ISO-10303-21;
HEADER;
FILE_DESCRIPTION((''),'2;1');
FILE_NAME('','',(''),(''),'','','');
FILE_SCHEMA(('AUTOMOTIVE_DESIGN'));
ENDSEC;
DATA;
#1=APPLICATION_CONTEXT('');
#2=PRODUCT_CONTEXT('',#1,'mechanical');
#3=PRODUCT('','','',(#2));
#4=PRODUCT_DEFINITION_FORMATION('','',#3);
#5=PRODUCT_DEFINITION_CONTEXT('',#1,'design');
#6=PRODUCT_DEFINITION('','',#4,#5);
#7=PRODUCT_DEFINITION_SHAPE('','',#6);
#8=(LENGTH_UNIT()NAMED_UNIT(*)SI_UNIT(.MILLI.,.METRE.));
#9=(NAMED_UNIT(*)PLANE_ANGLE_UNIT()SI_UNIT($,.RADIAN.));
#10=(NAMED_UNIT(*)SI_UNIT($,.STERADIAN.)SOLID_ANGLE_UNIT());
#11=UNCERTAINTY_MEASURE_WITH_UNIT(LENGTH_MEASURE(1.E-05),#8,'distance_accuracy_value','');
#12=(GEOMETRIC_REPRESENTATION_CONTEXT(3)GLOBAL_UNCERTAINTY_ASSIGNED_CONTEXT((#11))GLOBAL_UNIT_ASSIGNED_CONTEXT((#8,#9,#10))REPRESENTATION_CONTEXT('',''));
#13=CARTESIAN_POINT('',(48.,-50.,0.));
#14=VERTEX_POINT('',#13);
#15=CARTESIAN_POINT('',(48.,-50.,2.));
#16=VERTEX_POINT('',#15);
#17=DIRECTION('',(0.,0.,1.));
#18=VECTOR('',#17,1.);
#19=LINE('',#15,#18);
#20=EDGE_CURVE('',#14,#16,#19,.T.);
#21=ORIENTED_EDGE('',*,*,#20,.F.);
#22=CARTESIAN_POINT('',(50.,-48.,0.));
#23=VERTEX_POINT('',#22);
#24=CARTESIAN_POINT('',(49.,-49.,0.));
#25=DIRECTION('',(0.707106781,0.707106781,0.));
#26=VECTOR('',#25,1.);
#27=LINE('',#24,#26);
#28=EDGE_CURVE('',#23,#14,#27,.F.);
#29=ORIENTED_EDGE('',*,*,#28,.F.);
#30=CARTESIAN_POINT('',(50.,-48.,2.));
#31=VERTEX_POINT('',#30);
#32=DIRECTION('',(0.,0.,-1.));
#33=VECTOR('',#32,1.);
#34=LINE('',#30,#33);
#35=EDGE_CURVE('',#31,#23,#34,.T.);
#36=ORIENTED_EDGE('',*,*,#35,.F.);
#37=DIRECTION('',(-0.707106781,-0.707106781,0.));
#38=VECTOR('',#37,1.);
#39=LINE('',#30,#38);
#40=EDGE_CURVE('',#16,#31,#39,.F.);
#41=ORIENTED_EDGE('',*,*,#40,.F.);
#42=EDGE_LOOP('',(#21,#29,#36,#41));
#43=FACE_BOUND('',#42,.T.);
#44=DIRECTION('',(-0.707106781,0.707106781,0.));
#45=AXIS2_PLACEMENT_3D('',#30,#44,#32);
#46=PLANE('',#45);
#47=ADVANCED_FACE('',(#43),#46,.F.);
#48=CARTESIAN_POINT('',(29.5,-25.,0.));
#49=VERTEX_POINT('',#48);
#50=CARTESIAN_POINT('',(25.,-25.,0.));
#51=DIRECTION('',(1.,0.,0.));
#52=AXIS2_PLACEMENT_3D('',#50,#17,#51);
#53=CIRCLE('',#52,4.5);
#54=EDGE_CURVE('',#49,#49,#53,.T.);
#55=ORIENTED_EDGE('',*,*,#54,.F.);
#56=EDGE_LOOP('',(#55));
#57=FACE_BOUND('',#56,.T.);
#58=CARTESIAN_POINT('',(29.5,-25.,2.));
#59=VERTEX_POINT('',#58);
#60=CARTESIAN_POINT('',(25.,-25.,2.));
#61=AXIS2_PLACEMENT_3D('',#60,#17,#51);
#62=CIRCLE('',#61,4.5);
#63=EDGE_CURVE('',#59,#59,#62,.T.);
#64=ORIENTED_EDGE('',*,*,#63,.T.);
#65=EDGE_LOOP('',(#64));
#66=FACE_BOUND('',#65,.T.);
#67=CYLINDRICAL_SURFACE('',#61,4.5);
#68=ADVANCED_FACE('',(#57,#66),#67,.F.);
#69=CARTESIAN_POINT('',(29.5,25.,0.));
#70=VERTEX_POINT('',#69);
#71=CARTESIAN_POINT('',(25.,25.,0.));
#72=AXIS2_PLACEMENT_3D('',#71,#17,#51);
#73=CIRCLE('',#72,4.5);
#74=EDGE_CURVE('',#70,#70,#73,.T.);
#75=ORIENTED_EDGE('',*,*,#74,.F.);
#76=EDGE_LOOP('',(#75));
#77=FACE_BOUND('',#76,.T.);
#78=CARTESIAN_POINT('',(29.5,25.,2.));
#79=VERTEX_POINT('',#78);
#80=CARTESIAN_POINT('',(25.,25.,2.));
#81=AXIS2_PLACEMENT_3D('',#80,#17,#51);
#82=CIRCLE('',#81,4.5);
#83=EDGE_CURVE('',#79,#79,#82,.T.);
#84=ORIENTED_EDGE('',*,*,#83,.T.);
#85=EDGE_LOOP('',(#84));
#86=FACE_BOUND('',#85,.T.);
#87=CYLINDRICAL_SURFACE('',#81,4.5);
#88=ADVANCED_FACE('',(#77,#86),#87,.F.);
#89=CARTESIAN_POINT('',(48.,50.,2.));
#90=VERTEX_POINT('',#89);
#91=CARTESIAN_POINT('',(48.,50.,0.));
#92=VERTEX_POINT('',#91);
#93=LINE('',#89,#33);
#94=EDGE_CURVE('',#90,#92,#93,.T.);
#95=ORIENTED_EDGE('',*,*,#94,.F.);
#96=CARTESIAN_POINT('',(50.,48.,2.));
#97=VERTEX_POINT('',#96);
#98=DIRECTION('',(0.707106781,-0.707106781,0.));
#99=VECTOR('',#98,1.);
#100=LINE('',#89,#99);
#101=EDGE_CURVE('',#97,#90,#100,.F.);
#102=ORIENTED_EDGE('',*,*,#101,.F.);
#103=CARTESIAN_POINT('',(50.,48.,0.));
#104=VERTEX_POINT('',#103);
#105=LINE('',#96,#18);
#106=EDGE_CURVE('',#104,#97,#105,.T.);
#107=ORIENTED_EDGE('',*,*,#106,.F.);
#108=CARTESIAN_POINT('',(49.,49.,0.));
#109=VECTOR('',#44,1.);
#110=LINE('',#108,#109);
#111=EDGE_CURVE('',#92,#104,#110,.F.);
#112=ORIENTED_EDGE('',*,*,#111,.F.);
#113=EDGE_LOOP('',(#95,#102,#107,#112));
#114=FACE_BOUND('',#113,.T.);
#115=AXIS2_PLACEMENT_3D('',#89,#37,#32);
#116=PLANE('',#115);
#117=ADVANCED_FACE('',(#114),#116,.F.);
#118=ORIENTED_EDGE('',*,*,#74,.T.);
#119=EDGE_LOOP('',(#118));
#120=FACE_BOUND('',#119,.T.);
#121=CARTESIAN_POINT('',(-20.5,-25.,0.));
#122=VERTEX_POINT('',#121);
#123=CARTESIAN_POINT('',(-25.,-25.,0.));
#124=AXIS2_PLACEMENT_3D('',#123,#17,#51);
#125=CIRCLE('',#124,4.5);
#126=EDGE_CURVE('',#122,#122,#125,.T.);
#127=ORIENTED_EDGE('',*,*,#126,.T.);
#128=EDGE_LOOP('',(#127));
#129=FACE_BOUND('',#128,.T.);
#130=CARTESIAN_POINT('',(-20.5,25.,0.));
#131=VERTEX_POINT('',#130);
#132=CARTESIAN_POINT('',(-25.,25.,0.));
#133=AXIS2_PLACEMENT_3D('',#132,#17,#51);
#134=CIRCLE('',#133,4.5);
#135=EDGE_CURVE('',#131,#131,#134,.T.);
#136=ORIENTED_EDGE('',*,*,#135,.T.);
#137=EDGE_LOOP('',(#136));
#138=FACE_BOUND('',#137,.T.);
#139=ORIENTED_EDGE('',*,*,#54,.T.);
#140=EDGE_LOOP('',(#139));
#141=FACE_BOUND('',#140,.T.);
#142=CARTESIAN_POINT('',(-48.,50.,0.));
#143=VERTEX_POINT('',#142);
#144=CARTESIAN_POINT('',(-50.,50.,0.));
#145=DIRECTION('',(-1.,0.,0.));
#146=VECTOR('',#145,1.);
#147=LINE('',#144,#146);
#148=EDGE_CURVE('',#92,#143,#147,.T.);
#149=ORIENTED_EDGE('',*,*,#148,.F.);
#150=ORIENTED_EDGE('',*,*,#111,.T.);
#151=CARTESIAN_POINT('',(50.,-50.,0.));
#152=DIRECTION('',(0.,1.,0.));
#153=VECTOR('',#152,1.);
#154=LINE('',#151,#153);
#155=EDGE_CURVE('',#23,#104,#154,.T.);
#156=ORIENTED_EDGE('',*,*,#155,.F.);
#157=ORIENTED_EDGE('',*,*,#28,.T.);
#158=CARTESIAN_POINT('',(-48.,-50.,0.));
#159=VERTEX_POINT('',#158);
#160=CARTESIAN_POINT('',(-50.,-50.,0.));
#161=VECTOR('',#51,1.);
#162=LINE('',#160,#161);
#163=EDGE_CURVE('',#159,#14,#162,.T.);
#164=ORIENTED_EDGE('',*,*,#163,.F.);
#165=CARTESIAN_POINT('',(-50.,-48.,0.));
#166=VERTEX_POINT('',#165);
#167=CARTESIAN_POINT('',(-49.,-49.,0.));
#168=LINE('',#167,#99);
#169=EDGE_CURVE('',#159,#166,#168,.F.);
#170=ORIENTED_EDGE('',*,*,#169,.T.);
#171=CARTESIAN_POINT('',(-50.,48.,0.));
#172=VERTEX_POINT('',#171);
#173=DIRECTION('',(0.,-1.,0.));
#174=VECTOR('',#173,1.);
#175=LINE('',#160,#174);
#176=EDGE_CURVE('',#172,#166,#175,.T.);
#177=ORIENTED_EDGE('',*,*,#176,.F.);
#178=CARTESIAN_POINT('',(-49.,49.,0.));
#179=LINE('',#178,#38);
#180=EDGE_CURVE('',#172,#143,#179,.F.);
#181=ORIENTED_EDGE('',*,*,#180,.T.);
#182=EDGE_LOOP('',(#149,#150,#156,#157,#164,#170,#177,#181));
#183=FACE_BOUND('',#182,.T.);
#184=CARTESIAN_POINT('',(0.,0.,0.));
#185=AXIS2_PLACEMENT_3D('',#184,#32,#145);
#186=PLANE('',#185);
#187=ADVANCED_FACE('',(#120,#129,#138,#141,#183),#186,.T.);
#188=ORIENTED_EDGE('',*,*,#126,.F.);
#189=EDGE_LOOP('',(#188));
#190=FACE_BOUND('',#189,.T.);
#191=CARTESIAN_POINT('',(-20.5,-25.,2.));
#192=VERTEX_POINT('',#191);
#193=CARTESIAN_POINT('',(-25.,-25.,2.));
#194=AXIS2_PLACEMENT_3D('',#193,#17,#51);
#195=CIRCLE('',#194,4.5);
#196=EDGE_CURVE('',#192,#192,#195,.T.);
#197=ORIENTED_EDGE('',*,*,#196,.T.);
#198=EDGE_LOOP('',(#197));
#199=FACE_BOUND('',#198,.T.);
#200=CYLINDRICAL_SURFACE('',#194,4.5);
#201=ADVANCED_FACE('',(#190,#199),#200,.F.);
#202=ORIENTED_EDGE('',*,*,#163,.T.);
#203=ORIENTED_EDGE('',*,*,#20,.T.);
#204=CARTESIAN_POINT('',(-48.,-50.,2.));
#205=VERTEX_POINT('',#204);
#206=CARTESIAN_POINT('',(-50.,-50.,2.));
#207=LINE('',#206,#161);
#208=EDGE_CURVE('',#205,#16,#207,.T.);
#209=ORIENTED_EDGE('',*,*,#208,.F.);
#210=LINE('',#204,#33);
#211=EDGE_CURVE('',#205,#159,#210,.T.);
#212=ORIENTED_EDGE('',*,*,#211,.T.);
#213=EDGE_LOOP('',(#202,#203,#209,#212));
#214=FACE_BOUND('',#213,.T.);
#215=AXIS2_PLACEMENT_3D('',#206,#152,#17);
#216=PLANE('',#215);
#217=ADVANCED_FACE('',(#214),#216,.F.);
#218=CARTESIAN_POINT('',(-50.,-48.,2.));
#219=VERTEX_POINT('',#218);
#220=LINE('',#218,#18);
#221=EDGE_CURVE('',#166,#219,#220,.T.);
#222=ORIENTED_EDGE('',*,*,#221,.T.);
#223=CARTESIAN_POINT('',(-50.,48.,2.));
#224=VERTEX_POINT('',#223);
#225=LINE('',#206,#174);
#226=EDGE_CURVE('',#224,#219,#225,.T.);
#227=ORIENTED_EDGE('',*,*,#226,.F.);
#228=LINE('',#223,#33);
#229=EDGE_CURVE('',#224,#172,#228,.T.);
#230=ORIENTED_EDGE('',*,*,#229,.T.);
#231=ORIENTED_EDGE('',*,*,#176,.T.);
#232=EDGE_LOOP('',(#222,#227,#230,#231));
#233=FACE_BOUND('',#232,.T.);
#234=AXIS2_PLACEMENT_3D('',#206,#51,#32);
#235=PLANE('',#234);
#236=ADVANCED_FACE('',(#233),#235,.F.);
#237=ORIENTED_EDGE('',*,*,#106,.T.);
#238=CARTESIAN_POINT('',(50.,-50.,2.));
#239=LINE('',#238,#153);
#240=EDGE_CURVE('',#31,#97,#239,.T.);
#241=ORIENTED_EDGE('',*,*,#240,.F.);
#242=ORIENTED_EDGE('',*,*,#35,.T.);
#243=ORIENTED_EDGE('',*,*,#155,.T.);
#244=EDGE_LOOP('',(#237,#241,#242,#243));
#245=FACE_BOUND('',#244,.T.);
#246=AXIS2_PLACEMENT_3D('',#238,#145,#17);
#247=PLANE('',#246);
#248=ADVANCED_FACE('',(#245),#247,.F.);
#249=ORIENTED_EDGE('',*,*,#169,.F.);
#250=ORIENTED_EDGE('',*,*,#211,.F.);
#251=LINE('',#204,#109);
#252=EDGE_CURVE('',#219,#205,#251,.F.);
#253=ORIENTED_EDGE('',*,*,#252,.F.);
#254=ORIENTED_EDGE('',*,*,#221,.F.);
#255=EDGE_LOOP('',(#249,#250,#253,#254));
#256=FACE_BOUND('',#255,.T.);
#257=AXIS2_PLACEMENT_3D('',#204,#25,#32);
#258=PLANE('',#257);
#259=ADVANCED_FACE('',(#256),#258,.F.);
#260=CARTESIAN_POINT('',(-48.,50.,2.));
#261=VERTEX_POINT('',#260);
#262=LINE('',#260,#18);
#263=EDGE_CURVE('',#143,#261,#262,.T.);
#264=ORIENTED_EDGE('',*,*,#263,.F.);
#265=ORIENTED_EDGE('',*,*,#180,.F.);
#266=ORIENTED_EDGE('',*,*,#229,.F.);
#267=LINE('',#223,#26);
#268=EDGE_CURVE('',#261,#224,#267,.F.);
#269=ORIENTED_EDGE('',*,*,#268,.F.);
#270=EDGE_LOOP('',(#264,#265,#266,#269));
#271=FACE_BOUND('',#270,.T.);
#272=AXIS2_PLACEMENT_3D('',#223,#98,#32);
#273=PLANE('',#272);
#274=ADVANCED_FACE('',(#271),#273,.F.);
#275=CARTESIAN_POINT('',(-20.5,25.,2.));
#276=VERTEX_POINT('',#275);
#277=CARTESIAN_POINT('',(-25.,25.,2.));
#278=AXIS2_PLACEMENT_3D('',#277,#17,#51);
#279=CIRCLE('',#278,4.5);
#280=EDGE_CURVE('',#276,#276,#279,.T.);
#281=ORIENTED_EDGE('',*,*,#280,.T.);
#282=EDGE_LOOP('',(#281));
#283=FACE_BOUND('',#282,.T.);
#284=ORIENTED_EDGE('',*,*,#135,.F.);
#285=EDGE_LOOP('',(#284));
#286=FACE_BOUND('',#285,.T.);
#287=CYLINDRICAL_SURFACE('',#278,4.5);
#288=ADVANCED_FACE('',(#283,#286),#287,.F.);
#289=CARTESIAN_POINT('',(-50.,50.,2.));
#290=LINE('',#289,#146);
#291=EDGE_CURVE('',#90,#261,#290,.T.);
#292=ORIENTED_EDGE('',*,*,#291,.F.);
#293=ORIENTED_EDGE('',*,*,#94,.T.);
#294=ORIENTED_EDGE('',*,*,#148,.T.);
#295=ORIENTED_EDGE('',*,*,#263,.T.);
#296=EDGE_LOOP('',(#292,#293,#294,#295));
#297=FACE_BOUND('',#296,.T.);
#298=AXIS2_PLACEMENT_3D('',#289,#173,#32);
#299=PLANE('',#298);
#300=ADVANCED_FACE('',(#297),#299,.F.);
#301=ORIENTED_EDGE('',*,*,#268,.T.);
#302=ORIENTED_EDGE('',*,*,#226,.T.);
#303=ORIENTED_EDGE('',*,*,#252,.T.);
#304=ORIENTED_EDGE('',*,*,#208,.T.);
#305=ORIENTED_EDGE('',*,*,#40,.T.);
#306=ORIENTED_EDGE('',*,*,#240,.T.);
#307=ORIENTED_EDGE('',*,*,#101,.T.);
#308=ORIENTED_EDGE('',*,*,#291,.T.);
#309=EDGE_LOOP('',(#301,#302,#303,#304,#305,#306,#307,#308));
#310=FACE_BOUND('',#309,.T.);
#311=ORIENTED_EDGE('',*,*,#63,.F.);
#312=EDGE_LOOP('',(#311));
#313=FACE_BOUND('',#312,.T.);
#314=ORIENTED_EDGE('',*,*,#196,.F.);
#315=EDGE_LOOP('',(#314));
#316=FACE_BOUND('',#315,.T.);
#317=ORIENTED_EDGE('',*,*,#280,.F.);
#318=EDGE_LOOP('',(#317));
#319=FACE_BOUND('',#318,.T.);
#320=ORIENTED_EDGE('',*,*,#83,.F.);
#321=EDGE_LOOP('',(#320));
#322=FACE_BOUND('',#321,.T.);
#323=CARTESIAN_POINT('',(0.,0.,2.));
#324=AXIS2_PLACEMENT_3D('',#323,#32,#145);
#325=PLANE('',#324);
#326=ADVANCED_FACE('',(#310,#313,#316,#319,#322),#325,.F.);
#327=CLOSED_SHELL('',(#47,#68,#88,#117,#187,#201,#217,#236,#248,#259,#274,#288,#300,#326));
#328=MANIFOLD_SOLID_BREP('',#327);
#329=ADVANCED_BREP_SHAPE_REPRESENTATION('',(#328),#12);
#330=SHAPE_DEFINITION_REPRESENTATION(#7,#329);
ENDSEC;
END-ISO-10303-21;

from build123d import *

# Parameters (mm, degrees)
SKETCH_1_W        = 100
SKETCH_1_H        = 100
EXTRUDE_1_DEPTH   = 2
CHAMFER_1_SIZE    = 2
HOLE_WIZARD_M81_D = 9


with BuildPart() as part:
    # Эскиз1 → Бобышка-Вытянуть1 (new body)
    with BuildSketch(Plane.XY):
        Rectangle(SKETCH_1_W, SKETCH_1_H)
    extrude(amount=EXTRUDE_1_DEPTH)

    # Фаска1
    chamfer_1_edges = [part.edges().sort_by_distance(p)[0] for p in [
        (50, -50, 1),
        (-50, -50, 1),
        (-50, 50, 1),
        (50, 50, 1),
    ]]
    chamfer(chamfer_1_edges, length=CHAMFER_1_SIZE)

    # Отверстие с зазором M81 (through all)
    with Locations(Plane.XY.offset(2)):
        with Locations((-25, 25), (25, 25), (-25, -25), (25, -25)):
            Hole(HOLE_WIZARD_M81_D / 2)


solid = part.part
